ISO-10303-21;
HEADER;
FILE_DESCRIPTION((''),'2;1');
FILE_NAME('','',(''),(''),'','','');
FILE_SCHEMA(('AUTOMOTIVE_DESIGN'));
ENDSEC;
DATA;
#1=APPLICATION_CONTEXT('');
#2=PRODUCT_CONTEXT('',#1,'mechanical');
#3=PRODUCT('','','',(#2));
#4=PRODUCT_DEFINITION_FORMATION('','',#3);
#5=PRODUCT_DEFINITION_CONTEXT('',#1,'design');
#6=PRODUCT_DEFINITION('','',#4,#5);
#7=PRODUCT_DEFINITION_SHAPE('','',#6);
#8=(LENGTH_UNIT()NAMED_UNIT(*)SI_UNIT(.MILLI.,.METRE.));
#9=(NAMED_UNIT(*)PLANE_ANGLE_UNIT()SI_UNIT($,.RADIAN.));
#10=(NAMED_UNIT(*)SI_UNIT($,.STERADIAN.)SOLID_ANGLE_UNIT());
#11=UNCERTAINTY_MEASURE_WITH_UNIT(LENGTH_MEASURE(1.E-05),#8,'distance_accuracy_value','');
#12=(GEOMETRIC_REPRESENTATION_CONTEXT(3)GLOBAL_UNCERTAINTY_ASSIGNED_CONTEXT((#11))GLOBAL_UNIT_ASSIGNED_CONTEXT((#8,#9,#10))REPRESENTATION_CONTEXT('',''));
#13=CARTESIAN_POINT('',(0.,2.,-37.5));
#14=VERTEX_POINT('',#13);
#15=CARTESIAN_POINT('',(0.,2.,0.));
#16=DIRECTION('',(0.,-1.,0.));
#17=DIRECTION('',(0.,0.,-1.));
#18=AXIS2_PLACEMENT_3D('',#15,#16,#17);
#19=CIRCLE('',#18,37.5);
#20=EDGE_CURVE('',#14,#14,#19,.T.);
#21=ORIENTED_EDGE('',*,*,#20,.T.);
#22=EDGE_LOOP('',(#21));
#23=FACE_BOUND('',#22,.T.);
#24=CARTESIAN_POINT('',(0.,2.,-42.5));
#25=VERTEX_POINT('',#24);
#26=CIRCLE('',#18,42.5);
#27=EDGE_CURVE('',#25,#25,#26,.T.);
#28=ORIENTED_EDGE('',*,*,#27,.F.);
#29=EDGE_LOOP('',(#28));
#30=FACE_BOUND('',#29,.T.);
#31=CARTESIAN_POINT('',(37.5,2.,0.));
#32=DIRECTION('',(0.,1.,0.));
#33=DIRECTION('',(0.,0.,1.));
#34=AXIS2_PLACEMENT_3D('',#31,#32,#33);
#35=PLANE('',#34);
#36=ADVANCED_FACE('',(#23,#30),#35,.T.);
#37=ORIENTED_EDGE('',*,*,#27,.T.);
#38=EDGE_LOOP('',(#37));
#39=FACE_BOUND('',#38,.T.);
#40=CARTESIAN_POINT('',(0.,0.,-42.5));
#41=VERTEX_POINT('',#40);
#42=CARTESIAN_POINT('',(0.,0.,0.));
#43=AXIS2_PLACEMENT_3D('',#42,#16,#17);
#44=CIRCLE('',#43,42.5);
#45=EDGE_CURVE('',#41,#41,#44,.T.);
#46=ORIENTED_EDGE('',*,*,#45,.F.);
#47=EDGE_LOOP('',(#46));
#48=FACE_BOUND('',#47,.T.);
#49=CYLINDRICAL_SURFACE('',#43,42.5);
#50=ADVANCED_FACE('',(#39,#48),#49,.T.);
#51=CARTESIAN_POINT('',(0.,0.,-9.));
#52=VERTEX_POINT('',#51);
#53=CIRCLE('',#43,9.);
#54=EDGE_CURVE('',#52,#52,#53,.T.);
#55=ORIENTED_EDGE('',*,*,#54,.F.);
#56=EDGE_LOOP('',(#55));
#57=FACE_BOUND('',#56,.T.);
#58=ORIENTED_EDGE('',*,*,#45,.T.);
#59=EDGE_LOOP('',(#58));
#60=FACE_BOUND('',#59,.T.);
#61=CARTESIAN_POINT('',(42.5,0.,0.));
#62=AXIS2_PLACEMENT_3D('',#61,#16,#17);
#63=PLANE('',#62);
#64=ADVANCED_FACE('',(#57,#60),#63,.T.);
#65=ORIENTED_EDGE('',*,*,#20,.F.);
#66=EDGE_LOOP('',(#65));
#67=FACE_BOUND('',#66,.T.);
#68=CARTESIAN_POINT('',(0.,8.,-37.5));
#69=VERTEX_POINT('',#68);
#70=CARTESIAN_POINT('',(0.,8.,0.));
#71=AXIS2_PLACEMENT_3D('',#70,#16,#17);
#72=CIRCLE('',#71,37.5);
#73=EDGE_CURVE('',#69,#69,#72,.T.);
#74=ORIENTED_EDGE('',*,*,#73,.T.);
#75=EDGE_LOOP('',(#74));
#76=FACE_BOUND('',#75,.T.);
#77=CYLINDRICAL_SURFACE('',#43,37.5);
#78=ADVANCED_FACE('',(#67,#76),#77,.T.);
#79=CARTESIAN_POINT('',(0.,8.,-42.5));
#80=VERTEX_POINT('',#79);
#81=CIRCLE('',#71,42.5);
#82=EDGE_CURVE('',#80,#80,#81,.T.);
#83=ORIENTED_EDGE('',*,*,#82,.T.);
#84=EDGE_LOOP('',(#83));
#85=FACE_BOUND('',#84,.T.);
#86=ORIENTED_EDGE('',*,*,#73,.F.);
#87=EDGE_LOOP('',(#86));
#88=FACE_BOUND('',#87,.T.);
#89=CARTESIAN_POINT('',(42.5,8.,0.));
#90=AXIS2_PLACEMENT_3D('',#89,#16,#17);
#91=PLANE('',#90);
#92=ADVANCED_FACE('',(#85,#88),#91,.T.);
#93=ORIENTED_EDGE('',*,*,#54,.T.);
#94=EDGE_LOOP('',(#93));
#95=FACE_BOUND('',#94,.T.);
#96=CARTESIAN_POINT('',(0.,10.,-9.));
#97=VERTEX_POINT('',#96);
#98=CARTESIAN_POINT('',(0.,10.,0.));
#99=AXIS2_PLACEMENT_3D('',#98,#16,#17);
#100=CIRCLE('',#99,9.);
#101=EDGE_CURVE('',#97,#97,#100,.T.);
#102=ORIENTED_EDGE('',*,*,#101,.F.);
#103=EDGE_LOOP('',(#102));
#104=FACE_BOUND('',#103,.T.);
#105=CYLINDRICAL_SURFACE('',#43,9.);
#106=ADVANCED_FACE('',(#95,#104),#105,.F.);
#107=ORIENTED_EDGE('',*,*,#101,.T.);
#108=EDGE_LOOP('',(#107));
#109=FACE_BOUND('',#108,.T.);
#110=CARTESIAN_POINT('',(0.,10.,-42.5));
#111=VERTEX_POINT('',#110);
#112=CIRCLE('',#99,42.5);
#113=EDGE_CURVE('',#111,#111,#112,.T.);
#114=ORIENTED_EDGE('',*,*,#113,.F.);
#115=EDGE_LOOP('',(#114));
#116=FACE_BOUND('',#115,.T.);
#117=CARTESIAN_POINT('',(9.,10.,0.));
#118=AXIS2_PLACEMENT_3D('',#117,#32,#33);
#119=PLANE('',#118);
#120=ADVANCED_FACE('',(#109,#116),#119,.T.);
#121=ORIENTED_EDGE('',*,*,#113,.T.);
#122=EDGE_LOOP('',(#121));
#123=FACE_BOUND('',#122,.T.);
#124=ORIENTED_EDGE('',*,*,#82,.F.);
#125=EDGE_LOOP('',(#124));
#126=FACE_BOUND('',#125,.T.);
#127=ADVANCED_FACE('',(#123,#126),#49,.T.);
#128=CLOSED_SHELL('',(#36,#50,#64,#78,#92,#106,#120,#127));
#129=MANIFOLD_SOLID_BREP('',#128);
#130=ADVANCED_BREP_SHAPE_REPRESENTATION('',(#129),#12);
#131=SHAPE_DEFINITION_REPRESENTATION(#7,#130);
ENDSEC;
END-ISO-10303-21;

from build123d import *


with BuildPart() as part:
    # Sketch1 → Revolve1 (revolve)
    with BuildSketch(Plane.XY, mode=Mode.PRIVATE) as revolve1_sk:
        Polygon((9, 10), (42.5, 10), (42.5, 8), (37.5, 8), (37.5, 2), (42.5, 2), (42.5, 0), (9, 0), align=None)
    revolve(revolve1_sk.sketch.rotate(Axis((0, 0, 0), (0, 1, 0)), 90), axis=Axis((0, 0, 0), (0, 1, 0)))


solid = part.part
